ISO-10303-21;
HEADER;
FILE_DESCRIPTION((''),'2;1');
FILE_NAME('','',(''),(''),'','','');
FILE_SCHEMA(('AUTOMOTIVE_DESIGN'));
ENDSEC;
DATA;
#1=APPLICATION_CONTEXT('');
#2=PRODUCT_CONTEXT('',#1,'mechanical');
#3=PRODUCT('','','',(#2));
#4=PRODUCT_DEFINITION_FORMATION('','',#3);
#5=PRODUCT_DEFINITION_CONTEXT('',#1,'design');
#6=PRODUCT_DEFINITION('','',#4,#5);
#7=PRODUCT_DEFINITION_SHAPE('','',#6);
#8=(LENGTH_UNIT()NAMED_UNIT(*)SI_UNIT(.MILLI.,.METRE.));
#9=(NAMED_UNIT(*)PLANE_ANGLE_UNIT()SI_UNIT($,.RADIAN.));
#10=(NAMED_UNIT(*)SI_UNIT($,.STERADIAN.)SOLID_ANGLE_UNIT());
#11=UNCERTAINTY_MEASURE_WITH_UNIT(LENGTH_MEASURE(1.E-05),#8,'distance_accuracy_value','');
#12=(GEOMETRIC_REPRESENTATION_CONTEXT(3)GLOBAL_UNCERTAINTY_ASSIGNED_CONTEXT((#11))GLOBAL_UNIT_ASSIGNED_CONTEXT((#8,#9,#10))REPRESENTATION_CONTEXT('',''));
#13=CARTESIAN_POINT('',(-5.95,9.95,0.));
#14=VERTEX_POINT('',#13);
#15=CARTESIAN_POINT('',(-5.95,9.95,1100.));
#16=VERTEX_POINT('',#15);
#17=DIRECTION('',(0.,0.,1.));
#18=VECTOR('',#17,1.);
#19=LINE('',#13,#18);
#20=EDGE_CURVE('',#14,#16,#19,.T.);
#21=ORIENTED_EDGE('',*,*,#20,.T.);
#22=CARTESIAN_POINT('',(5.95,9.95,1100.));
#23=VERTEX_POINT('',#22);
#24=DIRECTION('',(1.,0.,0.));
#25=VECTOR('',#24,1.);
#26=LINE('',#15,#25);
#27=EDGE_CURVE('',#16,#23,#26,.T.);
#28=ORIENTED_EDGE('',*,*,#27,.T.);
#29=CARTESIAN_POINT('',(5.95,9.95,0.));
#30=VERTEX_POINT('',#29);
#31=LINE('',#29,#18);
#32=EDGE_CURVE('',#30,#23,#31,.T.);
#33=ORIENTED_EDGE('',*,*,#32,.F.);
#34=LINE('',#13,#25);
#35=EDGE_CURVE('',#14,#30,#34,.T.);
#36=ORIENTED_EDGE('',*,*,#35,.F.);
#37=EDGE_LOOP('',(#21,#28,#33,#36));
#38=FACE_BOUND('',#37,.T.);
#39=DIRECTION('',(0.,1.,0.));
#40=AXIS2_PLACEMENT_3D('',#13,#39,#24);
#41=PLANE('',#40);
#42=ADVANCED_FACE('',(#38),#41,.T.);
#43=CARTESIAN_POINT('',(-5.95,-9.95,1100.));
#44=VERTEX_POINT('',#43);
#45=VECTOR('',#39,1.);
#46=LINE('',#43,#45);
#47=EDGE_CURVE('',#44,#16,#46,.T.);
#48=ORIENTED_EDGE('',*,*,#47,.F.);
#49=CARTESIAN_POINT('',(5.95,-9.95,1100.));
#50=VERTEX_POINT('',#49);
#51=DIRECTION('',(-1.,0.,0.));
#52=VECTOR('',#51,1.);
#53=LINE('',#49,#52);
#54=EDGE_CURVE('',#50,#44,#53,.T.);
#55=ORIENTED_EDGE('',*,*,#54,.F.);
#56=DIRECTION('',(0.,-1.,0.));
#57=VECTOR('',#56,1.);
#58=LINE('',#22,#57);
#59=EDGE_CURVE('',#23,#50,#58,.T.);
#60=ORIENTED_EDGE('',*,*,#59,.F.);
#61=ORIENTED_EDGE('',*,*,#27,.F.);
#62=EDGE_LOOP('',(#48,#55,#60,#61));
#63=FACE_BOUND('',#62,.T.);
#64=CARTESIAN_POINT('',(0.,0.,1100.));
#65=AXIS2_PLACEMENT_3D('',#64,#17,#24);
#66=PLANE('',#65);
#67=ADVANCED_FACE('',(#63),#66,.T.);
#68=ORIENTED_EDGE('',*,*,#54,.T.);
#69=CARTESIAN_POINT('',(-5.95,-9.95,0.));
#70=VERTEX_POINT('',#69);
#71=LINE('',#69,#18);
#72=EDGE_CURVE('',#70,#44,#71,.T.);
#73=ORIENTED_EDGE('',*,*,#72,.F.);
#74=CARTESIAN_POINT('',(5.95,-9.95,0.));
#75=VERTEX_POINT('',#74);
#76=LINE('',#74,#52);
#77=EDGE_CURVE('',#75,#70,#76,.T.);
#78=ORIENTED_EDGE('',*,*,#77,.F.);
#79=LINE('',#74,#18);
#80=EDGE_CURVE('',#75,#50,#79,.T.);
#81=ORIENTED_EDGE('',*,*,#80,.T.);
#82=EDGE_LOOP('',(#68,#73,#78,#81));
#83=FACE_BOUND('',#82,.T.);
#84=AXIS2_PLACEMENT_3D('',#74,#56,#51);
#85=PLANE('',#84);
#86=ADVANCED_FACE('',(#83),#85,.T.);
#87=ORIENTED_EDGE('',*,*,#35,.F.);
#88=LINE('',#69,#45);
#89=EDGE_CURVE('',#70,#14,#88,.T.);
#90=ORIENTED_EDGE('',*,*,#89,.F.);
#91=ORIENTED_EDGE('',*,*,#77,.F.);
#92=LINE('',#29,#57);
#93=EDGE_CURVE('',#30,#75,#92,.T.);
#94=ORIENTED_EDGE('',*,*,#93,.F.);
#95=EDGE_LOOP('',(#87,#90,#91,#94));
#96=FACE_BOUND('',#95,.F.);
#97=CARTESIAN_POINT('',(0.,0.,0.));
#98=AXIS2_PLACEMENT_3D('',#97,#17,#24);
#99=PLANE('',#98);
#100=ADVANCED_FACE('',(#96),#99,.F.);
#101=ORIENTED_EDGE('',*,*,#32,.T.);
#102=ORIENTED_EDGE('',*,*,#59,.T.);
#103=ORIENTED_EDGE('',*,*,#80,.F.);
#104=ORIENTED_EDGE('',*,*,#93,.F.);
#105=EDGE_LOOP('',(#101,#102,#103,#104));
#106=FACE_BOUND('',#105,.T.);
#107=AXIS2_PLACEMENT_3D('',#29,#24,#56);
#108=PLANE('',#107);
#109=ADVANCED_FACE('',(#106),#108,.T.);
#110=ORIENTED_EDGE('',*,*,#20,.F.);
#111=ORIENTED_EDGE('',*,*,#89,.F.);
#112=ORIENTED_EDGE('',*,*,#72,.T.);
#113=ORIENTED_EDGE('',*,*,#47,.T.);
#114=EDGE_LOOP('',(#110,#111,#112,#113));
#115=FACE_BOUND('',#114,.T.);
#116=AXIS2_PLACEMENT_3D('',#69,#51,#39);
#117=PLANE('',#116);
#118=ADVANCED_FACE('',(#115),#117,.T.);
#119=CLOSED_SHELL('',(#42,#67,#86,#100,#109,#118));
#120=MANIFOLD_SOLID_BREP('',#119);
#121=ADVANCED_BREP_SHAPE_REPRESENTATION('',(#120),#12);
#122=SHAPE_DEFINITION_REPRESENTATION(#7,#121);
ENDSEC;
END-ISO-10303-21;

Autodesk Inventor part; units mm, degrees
ref_plane "YZ Plane" through (0, 0, 0) normal (1, 0, 0) x (0, 1, 0)
ref_plane "XZ Plane" through (0, 0, 0) normal (0, 1, 0) x (-1, 0, 0)
ref_plane "XY Plane" through (0, 0, 0) normal (0, 0, 1) x (1, 0, 0)
sketch "Sketch1" plane through (0, 0, 0) normal (0, 0, 1) x (1, 0, 0)
  line L0 (-5.95, 9.95) -> (5.95, 9.95)
  line L1 (5.95, 9.95) -> (5.95, -9.95)
  line L2 (5.95, -9.95) -> (-5.95, -9.95)
  line L3 (-5.95, -9.95) -> (-5.95, 9.95)
  line L4 (-5.95, 9.95) -> (5.95, -9.95) construction
  line L5 (5.95, 9.95) -> (-5.95, -9.95) construction
  point P0 (0, 0)
  dimension "d0" = 11.9
  dimension "d1" = 19.9
extrude "Extrusion1" add sketch "Sketch1" along normal blind 1100
properties part number "batang"
